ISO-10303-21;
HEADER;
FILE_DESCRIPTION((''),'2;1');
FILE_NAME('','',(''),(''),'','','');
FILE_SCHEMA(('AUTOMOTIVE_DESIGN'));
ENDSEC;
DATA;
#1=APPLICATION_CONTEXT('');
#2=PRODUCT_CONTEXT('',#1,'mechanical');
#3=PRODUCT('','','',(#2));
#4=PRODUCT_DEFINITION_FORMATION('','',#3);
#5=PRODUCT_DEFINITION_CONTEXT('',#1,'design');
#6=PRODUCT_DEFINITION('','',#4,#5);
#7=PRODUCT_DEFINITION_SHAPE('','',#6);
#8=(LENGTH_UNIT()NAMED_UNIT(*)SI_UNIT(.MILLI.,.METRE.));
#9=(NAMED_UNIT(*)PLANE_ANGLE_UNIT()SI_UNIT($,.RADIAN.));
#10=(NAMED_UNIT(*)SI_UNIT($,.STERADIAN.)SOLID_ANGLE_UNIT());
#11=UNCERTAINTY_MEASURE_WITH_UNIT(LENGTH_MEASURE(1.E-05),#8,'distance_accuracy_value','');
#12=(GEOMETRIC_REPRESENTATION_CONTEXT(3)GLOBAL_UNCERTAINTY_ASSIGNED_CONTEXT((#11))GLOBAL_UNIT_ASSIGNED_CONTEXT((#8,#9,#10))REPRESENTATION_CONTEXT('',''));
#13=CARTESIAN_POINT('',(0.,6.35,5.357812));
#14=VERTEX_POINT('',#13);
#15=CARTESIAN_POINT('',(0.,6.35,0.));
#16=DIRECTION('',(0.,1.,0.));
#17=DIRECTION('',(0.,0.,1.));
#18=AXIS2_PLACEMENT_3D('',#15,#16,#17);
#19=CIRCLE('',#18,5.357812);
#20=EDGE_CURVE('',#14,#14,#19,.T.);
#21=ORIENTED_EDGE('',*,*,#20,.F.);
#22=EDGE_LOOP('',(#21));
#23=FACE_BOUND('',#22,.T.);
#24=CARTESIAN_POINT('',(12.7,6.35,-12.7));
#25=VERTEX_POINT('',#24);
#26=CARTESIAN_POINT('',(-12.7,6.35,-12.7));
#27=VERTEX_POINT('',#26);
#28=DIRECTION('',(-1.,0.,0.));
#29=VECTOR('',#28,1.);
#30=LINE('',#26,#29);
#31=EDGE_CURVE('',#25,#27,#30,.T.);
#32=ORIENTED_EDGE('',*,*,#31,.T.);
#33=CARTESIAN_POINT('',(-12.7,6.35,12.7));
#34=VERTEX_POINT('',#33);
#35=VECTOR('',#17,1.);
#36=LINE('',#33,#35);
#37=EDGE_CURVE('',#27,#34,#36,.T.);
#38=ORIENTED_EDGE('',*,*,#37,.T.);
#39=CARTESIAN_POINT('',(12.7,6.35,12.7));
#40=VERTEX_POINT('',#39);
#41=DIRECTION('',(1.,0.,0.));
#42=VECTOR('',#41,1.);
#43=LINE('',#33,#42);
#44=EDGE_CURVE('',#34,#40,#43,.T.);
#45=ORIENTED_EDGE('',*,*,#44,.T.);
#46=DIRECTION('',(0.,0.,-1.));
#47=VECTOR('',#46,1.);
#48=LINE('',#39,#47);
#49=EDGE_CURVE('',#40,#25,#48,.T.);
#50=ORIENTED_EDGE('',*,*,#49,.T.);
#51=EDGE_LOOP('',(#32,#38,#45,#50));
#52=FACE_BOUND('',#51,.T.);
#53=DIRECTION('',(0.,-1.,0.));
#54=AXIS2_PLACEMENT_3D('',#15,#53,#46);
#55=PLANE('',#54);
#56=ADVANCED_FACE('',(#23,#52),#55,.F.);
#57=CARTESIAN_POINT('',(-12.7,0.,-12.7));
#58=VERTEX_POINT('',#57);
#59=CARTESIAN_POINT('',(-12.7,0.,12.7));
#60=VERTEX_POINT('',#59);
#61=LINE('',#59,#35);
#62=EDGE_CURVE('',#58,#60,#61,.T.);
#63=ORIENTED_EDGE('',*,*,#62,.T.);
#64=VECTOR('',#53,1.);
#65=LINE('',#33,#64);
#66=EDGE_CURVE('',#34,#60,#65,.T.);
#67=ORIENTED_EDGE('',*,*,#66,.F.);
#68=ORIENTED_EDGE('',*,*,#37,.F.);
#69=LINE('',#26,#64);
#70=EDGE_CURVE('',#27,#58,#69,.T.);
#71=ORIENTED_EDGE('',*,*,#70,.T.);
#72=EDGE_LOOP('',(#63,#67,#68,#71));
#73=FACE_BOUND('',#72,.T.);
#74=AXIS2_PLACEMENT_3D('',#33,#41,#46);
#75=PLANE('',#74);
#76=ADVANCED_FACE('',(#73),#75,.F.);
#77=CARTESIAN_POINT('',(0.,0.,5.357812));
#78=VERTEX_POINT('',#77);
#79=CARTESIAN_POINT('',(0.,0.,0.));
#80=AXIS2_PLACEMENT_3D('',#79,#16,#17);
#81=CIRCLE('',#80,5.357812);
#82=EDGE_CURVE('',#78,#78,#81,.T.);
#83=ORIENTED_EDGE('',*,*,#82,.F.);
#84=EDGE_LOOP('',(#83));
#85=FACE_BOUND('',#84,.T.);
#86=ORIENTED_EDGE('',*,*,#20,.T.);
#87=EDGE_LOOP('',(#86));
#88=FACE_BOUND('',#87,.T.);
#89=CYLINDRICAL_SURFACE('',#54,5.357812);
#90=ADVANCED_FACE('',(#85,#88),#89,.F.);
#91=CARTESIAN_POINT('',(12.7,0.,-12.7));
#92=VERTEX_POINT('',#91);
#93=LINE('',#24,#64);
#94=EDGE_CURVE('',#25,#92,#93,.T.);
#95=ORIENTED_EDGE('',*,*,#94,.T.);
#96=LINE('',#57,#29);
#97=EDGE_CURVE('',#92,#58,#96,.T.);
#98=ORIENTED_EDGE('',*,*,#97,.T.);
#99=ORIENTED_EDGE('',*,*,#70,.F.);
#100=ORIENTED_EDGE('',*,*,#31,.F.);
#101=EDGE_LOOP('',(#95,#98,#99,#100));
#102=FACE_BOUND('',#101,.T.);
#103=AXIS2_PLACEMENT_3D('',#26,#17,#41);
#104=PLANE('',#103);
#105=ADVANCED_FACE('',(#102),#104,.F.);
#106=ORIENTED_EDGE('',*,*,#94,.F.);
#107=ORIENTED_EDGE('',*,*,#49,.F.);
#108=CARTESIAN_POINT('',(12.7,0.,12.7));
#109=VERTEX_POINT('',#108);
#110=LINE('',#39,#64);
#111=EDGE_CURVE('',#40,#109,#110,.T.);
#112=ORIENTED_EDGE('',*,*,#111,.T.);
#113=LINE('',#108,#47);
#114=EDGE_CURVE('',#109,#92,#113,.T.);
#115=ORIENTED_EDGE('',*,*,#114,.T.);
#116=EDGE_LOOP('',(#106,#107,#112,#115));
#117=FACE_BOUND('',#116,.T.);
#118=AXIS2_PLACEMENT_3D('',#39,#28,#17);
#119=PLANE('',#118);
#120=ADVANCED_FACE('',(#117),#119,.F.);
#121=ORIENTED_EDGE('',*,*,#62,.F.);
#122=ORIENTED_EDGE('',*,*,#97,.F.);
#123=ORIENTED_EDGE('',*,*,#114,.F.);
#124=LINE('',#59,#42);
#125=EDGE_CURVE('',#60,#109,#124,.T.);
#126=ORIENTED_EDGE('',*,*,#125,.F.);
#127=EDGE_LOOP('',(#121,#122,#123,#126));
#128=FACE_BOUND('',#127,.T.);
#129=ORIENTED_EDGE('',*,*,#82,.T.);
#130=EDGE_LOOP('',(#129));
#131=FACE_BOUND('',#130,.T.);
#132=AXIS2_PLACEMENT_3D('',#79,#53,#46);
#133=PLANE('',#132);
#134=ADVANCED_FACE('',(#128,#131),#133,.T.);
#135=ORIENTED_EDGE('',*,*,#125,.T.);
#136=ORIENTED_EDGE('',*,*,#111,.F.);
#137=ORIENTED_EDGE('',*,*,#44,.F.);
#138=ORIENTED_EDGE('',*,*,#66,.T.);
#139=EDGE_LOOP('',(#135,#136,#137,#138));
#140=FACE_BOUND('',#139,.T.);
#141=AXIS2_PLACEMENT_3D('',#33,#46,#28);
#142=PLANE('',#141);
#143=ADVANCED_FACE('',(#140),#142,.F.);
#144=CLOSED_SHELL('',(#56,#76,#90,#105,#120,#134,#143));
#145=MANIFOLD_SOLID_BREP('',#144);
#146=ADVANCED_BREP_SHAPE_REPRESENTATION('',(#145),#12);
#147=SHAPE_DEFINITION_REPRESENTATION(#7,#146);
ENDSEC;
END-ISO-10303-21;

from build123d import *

# Parameters (mm, degrees)
SKETCH1_W           = 25.4
SKETCH1_H           = 25.4
SKETCH1_R           = 5.3578125
BOSS_EXTRUDE1_DEPTH = 6.35


with BuildPart() as part:
    # Sketch1 → Boss-Extrude1 (new body)
    with BuildSketch(Plane(origin=(0, 0, 0), x_dir=(1, 0, 0), z_dir=(0, 1, 0))):
        Rectangle(SKETCH1_W, SKETCH1_H)
        with Locations(Location((0, 0, 0), (0, 0, 270))):
            Circle(SKETCH1_R, mode=Mode.SUBTRACT)
    extrude(amount=BOSS_EXTRUDE1_DEPTH)


solid = part.part
